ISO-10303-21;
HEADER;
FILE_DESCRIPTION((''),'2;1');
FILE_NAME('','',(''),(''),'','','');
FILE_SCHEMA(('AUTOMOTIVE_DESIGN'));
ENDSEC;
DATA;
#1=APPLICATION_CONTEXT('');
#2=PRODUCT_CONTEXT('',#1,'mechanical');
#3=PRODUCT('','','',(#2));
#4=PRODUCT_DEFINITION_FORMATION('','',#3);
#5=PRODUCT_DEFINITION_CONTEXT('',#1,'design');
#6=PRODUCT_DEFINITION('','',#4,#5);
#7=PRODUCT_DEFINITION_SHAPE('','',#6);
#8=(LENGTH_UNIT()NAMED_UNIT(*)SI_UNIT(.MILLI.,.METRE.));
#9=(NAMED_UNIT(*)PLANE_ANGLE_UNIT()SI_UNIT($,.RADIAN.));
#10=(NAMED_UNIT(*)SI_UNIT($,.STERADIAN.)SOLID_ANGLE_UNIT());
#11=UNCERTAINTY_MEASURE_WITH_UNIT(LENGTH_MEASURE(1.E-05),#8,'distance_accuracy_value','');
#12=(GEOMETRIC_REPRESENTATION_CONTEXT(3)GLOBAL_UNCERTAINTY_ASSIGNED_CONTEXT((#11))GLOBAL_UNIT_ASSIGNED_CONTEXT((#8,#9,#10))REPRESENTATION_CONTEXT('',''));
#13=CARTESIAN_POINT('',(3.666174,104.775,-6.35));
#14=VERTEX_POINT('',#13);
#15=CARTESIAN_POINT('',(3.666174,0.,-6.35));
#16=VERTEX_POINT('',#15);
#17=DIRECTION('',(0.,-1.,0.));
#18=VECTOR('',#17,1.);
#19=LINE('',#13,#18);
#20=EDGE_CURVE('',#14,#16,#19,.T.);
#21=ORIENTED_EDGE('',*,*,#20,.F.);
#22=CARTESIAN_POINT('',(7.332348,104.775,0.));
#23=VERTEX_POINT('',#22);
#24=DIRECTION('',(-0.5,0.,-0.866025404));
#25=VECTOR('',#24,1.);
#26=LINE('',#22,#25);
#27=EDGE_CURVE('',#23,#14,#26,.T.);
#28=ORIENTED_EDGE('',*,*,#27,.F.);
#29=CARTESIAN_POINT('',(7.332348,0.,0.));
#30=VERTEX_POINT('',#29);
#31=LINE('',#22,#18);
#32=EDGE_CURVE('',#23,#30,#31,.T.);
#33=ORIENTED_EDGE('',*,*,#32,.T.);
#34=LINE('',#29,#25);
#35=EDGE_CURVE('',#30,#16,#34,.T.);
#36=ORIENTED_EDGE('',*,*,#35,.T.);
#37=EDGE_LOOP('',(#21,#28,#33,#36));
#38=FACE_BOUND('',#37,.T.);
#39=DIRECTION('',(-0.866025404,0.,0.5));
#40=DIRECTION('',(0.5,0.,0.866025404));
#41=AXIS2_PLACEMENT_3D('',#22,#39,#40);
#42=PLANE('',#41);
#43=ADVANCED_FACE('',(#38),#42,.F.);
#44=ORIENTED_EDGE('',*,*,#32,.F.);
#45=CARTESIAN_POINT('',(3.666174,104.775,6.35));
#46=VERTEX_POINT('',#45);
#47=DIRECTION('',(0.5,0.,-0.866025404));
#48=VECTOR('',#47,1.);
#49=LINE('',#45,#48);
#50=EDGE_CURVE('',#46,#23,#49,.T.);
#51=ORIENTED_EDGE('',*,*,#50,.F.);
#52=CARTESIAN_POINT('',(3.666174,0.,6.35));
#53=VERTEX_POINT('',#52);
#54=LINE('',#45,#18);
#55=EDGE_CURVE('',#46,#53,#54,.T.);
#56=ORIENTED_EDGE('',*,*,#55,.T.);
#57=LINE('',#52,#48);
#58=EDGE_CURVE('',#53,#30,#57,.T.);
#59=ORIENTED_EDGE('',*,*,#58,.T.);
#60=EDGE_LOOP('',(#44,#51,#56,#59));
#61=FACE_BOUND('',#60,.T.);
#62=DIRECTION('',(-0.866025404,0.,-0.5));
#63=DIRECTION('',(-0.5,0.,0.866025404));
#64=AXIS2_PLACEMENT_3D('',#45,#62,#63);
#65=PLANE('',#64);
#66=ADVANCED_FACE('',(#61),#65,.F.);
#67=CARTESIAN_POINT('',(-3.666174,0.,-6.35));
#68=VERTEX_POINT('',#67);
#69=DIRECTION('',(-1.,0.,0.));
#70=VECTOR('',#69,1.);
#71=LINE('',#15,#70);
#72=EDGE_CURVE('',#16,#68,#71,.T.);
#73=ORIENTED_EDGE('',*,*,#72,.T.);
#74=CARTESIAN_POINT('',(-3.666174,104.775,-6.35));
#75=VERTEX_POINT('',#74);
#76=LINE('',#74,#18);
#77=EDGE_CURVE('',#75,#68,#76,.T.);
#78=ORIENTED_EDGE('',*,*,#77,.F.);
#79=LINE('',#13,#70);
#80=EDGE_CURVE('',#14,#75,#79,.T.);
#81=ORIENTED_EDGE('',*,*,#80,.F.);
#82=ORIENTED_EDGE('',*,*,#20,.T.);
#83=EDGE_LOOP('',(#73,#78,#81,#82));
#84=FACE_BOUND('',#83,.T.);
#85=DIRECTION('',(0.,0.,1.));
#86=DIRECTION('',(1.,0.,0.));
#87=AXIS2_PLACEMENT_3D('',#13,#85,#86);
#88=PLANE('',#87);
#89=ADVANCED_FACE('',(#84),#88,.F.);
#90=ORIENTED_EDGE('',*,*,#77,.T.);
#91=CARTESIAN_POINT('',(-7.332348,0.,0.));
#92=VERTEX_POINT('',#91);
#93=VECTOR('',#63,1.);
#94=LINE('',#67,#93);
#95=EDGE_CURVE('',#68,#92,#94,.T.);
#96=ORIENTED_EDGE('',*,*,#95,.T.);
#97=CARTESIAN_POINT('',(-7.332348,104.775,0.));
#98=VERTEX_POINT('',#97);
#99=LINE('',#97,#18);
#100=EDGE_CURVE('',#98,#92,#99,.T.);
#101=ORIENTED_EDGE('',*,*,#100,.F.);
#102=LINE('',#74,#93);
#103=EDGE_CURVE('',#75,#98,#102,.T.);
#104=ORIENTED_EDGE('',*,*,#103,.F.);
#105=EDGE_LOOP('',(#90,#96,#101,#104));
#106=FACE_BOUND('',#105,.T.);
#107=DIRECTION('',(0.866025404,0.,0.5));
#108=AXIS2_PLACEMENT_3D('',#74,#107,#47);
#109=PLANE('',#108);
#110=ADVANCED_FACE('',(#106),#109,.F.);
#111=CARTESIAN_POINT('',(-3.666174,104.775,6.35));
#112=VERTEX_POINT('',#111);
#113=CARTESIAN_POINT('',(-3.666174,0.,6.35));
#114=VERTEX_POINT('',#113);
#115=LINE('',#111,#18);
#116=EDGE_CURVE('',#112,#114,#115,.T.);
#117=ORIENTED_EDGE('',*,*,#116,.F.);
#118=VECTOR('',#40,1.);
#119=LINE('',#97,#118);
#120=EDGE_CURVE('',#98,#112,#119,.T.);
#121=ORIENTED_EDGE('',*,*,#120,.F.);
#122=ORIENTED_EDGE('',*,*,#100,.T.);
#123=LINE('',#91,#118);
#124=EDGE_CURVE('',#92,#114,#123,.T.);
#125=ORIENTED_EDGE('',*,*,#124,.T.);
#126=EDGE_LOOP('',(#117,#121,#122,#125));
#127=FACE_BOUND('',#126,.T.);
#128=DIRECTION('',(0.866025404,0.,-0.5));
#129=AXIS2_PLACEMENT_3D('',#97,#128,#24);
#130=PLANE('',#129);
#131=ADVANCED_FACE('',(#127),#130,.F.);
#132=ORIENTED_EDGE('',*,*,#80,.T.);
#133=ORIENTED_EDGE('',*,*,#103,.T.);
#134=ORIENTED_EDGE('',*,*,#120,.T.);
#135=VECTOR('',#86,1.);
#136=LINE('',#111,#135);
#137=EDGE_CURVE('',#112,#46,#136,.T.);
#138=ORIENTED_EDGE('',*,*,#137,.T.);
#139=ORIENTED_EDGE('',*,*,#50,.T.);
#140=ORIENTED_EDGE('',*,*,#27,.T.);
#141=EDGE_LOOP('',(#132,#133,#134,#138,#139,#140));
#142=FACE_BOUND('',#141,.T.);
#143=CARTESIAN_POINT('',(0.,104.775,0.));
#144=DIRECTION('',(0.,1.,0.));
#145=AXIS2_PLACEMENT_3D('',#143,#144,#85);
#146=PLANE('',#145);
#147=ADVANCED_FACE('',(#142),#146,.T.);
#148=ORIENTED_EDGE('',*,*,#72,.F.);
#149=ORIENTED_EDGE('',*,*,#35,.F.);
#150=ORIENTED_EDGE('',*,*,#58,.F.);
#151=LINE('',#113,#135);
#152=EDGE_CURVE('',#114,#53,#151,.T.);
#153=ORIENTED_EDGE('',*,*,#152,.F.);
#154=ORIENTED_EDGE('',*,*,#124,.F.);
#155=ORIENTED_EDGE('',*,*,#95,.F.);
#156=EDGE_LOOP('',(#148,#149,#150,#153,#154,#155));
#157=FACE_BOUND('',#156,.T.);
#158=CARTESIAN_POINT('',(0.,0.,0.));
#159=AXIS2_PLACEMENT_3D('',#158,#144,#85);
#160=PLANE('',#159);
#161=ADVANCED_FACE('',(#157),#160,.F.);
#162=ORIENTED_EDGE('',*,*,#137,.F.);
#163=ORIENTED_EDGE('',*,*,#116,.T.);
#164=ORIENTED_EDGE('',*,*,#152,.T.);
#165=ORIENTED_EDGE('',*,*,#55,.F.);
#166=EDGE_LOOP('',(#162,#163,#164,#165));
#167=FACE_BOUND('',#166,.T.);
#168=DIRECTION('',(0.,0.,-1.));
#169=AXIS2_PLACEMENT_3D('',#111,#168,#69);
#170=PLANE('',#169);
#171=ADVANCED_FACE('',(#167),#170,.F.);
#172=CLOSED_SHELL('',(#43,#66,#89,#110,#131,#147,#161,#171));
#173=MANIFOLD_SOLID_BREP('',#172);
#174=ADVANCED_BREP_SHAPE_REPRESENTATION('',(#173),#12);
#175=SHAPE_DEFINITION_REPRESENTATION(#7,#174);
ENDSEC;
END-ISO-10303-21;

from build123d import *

# Parameters (mm, degrees)
BOSS_EXTRUDE1_DEPTH = 104.775


with BuildPart() as part:
    # Sketch1 → Boss-Extrude1 (new body)
    with BuildSketch(Plane(origin=(0, 0, 0), x_dir=(1, 0, 0), z_dir=(0, 1, 0))):
        Polygon((7.332348419, 0), (3.666174209, 6.35), (-3.666174209, 6.35), (-7.332348419, 0), (-3.666174209, -6.35), (3.666174209, -6.35), align=None)
    extrude(amount=BOSS_EXTRUDE1_DEPTH)


solid = part.part
